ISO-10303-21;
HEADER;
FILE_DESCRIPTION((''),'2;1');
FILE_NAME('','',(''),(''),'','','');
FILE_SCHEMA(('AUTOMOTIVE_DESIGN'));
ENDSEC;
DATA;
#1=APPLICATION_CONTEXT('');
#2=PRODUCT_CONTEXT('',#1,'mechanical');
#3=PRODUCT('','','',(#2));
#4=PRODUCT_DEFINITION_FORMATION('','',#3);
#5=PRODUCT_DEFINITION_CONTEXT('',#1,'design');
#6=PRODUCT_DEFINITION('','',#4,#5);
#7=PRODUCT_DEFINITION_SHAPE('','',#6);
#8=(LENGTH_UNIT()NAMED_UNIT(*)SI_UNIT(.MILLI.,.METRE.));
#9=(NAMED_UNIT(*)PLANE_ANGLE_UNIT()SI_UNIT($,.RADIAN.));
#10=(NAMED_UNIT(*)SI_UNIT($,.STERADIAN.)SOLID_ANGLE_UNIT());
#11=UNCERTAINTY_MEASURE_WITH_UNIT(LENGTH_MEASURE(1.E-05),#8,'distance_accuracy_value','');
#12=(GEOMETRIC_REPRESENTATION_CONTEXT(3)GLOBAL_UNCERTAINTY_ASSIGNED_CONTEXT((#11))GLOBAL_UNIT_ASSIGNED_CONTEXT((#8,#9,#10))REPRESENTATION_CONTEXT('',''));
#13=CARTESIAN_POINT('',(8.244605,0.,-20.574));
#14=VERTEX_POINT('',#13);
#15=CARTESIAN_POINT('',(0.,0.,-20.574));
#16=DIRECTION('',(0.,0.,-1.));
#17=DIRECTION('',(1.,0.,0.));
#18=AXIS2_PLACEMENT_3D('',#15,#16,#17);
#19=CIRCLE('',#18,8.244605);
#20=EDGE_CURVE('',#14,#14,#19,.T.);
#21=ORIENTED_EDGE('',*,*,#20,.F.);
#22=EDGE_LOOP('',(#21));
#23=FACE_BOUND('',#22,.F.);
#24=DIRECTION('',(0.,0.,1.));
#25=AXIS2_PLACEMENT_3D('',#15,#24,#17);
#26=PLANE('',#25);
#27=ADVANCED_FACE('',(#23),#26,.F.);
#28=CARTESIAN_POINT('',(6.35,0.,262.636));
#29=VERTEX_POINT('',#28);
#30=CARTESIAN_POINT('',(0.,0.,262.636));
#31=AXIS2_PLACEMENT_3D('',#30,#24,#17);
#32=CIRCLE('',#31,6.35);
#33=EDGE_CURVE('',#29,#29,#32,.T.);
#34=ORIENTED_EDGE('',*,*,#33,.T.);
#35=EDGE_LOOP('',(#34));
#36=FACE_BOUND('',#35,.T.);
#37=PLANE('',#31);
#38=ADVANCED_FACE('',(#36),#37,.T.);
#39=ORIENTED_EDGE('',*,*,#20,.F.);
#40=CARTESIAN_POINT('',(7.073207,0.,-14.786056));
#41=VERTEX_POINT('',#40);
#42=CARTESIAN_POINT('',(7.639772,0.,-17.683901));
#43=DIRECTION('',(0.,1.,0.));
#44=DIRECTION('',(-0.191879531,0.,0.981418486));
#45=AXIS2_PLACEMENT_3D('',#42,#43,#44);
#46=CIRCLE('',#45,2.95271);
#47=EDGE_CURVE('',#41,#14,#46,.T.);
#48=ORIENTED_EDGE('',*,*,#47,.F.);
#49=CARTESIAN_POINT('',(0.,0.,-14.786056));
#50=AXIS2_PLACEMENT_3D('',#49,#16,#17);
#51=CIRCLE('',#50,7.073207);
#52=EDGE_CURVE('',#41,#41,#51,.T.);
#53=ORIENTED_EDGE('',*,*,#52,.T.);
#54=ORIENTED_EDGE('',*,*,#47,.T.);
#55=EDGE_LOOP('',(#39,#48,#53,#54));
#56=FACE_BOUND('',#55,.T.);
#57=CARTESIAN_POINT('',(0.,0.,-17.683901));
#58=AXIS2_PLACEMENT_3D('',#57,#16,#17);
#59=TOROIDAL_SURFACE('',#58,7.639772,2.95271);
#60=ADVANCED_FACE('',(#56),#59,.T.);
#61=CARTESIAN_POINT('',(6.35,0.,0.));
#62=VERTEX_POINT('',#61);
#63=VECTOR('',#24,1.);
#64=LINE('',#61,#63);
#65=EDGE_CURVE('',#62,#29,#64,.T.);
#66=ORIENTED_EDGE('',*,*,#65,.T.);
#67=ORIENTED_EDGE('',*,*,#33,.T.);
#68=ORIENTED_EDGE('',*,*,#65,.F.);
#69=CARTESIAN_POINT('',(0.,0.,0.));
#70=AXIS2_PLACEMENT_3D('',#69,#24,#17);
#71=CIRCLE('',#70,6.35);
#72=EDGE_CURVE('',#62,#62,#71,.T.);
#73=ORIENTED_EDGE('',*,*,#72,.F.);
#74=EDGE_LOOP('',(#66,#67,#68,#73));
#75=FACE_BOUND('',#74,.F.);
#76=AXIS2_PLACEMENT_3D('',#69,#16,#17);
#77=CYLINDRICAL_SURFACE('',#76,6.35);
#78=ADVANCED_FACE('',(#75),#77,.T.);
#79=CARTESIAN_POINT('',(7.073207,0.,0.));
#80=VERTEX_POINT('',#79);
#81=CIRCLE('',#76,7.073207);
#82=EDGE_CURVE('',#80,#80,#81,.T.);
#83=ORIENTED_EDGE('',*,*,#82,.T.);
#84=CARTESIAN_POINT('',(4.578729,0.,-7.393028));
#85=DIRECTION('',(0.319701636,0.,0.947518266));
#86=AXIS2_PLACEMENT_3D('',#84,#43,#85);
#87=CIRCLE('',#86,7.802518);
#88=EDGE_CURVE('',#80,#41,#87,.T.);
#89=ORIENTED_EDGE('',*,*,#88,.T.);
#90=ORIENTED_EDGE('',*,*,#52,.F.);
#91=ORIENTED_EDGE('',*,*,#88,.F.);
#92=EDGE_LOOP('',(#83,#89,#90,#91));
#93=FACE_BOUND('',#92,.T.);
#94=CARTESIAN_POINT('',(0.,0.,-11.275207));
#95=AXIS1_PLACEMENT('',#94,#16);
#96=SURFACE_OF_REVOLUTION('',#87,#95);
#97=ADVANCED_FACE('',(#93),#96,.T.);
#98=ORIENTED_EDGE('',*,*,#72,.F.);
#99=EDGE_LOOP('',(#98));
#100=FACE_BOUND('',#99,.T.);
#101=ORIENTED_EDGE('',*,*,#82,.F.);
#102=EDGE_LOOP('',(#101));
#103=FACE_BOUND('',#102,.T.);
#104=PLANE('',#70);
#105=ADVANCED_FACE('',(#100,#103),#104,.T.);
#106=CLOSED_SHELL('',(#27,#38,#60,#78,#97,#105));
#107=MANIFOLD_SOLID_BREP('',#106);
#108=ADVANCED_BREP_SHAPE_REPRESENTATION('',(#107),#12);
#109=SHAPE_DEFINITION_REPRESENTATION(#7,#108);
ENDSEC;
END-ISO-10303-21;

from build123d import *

# Parameters (mm, degrees)
F0_R     = 6.35
F1_DEPTH = 262.636
F0_R_2   = 12.7
F2_DEPTH = 20.574


with BuildPart() as f1:
    # F0 (on Top) → F1 (new body)
    with BuildSketch(Plane.XY):
        Circle(F0_R)
    extrude(amount=F1_DEPTH)

    # F0 (on Top) → F2 (join)
    with BuildSketch(Plane.XY):
        Circle(F0_R_2)
        Circle(F0_R, mode=Mode.SUBTRACT)
        Circle(F0_R)
    extrude(amount=-F2_DEPTH)

    # F3 (on Front) → F4 (revolve, cut)
    with BuildSketch(Plane.XZ):
        with BuildLine():
            Line((7.073207, -20.581745), (7.073207, -25.931608))
            Line((7.073207, -25.931608), (17.550027, -25.931608))
            Line((17.550027, -25.931608), (17.550027, 2.823916))
            Line((17.550027, 2.823916), (7.073207, 2.823916))
            Line((7.073207, 2.823916), (7.073207, 0))
            ThreePointArc((7.073207, 0), (12.381247, -7.393028), (7.073207, -14.786056))
            ThreePointArc((7.073207, -14.786056), (10.592482, -17.6839), (7.073207, -20.581745))
        make_face()
    revolve(axis=Axis((0, 0, -11.275207), (0, 0, -1)), mode=Mode.SUBTRACT)


solid = f1.part
